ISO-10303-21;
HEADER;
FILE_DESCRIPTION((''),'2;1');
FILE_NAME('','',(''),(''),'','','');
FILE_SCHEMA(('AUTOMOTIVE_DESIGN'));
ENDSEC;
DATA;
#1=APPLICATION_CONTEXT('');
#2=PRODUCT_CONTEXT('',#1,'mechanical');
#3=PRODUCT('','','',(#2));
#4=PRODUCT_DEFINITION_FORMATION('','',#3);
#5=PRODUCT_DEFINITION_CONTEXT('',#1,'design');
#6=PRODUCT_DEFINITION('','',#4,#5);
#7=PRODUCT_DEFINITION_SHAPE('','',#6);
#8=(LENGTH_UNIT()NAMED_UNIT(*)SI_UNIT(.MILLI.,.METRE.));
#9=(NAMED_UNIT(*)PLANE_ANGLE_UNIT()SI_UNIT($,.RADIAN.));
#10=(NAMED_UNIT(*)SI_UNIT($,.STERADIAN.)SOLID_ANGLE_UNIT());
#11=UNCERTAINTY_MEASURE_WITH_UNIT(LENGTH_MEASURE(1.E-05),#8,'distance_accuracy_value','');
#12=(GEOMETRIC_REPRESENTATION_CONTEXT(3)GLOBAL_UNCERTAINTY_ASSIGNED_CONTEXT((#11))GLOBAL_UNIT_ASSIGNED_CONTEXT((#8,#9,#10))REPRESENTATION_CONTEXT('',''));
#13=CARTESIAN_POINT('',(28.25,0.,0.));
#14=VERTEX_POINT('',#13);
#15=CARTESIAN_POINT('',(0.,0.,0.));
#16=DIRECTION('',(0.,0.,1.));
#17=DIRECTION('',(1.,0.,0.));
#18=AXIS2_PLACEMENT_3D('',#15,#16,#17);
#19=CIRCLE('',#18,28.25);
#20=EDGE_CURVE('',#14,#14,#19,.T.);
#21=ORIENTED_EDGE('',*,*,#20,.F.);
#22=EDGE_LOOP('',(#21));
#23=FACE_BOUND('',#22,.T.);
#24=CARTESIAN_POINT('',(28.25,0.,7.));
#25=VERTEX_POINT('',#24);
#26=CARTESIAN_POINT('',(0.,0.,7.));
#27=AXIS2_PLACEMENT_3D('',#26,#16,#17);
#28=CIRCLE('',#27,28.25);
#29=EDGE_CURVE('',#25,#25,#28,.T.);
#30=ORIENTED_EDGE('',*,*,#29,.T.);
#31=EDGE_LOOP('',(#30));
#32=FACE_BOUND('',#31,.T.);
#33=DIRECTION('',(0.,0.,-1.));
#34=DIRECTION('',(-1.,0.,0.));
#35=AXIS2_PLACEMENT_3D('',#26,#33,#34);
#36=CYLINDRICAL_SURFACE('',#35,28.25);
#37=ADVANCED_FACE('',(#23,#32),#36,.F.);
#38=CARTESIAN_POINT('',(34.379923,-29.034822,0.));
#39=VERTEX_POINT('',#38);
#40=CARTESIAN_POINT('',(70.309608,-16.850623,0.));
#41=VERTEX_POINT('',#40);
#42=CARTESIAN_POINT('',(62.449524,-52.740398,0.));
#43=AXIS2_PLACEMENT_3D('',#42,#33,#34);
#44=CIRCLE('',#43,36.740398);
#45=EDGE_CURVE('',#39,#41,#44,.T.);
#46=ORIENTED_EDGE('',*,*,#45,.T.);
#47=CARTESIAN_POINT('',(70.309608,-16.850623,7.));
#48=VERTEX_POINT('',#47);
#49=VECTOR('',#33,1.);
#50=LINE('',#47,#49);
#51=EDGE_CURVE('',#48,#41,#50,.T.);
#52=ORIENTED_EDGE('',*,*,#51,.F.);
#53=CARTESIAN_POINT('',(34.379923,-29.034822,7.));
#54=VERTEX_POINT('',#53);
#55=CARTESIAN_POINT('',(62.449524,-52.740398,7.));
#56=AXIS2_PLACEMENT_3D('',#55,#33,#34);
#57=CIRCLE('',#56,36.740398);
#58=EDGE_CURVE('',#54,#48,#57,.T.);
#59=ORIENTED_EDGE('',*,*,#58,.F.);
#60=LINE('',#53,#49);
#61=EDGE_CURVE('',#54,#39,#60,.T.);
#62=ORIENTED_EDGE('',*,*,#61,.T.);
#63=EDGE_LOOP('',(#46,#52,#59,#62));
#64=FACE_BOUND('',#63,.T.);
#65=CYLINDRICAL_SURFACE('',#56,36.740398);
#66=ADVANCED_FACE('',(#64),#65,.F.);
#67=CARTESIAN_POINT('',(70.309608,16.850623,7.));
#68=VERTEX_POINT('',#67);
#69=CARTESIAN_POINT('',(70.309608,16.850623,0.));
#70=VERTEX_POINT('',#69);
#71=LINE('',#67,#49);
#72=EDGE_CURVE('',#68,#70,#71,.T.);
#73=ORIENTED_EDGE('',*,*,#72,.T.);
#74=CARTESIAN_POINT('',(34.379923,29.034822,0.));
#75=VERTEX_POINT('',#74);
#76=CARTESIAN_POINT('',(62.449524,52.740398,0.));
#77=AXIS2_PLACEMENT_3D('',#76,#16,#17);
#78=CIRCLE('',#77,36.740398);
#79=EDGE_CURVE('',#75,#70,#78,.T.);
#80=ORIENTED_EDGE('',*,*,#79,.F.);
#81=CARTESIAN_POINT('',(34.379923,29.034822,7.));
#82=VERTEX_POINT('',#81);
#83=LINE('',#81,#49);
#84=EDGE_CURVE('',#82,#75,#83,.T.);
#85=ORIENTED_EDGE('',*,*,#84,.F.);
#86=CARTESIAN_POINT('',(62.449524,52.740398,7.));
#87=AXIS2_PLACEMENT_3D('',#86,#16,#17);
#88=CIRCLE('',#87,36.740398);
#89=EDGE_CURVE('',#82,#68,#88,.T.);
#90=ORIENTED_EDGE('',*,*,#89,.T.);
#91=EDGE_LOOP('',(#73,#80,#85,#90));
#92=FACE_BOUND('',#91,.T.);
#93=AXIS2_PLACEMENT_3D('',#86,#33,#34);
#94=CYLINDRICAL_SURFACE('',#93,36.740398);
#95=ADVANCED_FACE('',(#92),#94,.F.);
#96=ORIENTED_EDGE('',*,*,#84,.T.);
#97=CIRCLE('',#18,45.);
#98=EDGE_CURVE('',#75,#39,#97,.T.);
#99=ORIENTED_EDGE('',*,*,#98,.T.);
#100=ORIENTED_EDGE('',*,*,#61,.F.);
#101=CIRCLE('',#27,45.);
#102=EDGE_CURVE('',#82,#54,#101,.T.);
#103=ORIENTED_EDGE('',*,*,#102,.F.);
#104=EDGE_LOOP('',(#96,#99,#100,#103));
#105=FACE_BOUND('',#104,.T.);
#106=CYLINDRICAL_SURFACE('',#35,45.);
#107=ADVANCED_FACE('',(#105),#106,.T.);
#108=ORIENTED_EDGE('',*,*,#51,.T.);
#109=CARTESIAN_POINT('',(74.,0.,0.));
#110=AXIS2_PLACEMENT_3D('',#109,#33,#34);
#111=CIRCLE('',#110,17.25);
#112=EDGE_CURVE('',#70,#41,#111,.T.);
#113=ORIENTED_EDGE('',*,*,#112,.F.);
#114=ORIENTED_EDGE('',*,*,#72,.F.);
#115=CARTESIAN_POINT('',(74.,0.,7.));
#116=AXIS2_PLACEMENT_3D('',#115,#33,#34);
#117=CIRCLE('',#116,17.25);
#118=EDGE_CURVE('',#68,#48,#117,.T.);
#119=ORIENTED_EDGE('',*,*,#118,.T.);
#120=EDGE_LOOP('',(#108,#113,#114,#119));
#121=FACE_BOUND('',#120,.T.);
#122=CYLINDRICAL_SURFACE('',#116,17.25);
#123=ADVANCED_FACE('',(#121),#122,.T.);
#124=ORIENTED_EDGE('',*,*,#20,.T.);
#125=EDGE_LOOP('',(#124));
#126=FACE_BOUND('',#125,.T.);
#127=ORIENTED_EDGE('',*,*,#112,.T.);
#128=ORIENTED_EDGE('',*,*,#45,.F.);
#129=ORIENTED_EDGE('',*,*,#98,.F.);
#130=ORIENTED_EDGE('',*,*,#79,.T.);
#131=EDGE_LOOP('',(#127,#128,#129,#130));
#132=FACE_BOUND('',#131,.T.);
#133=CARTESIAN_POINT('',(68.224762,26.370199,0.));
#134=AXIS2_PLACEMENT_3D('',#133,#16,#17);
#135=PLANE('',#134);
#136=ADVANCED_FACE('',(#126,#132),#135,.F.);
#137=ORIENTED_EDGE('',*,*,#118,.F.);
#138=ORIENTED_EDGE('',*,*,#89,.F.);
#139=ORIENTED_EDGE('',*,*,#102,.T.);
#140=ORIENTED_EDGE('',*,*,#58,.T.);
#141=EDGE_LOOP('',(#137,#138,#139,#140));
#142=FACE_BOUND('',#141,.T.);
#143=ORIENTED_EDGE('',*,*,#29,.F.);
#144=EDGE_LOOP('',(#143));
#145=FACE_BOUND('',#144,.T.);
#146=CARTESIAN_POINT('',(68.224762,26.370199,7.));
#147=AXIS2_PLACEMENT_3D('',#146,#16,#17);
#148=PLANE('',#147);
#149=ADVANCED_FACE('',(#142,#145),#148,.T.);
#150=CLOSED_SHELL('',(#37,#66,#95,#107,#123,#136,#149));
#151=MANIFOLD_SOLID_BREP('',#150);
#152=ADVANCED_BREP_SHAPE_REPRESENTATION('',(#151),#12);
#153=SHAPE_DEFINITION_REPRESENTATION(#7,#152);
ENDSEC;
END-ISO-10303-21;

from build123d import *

# Parameters (mm, degrees)
SKETCH1_R          = 28.25
BASE_EXTRUDE_DEPTH = 7


with BuildPart() as part:
    # Sketch1 → Base-Extrude (new body)
    with BuildSketch(Plane.XY):
        with BuildLine():
            ThreePointArc((34.37992312, 29.034821961), (-45, 0), (34.37992312, -29.034821961))
            ThreePointArc((34.37992312, -29.034821961), (50.650379443, -17.946188292), (70.309608401, -16.850623426))
            ThreePointArc((70.309608401, -16.850623426), (91.25, 0), (70.309608401, 16.850623426))
            ThreePointArc((70.309608401, 16.850623426), (50.650379443, 17.946188292), (34.37992312, 29.034821961))
        make_face()
        Circle(SKETCH1_R, mode=Mode.SUBTRACT)
    extrude(amount=BASE_EXTRUDE_DEPTH)


solid = part.part
